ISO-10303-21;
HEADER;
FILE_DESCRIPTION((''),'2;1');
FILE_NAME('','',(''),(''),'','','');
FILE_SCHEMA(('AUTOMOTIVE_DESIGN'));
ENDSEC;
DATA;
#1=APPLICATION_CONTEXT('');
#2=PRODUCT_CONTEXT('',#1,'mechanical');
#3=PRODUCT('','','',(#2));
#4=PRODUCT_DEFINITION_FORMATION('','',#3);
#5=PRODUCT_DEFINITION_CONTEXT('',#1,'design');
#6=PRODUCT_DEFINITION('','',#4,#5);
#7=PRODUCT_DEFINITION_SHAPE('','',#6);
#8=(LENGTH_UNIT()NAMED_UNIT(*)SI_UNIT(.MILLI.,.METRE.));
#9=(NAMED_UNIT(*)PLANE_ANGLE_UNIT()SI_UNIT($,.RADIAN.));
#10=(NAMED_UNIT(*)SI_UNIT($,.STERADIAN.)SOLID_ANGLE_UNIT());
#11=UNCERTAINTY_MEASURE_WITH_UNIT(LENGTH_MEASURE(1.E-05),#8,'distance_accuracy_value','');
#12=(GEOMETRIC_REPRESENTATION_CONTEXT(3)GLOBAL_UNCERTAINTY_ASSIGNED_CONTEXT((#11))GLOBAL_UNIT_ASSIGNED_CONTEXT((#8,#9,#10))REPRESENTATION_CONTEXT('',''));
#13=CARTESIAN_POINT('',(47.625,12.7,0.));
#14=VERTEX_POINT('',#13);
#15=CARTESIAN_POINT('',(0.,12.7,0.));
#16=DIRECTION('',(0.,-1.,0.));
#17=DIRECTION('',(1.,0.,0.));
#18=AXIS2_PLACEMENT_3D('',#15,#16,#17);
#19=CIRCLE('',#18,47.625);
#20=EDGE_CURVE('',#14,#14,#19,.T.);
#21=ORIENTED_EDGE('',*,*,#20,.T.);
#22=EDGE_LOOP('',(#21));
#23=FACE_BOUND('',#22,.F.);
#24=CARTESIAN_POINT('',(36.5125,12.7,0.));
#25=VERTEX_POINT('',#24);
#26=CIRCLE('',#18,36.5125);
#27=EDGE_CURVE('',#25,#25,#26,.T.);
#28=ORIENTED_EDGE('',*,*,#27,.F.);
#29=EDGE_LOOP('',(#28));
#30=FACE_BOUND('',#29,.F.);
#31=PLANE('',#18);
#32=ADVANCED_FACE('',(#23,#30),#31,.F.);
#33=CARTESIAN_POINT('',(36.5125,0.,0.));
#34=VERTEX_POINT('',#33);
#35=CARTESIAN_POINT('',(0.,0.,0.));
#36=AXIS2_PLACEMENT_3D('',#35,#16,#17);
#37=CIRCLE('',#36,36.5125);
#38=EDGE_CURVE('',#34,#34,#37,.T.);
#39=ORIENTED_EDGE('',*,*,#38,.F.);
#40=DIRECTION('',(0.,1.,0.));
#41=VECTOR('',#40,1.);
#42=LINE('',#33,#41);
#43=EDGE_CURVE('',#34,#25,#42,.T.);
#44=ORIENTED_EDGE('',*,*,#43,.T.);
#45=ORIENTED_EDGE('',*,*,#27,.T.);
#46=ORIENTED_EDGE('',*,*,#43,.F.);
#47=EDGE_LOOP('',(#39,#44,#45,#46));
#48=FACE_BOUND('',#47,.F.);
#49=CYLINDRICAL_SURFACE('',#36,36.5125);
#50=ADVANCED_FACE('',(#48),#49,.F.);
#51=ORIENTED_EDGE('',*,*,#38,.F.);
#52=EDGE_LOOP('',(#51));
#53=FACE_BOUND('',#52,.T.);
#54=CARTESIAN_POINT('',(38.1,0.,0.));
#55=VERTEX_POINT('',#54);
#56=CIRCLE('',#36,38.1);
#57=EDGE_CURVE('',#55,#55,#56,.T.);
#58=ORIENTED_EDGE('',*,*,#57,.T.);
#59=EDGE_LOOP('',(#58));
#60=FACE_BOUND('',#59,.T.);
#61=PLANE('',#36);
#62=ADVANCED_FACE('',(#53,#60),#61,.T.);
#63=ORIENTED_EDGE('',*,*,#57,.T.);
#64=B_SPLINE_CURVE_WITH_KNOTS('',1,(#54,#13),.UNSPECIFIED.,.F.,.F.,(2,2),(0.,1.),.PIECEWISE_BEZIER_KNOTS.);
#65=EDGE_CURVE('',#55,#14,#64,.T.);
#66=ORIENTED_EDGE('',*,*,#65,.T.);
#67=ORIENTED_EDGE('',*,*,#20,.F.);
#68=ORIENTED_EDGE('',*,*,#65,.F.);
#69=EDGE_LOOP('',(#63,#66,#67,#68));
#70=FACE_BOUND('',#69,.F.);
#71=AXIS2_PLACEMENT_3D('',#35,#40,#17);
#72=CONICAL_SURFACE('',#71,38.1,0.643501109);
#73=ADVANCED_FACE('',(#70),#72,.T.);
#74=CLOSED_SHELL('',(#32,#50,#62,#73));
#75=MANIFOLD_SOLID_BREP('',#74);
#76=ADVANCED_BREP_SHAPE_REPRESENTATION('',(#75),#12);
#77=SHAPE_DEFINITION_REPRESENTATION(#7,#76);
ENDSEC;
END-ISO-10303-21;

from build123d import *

# Parameters (mm, degrees)
F0_R     = 38.1
F2_R     = 47.625
F4_R     = 36.5125
F5_DEPTH = 25.4


with BuildPart() as f3:
    # F0 (on Front) → F3 section 0
    with BuildSketch(Plane.XZ):
        Circle(F0_R)
    # F2 (on offset) → F3 section 1
    with BuildSketch(Plane.XZ.offset(-12.7)):
        Circle(F2_R)
    loft()

    # F4 (on Front) → F5 (cut)
    with BuildSketch(Plane.XZ):
        Circle(F4_R)
    extrude(amount=-F5_DEPTH, mode=Mode.SUBTRACT)


solid = f3.part
